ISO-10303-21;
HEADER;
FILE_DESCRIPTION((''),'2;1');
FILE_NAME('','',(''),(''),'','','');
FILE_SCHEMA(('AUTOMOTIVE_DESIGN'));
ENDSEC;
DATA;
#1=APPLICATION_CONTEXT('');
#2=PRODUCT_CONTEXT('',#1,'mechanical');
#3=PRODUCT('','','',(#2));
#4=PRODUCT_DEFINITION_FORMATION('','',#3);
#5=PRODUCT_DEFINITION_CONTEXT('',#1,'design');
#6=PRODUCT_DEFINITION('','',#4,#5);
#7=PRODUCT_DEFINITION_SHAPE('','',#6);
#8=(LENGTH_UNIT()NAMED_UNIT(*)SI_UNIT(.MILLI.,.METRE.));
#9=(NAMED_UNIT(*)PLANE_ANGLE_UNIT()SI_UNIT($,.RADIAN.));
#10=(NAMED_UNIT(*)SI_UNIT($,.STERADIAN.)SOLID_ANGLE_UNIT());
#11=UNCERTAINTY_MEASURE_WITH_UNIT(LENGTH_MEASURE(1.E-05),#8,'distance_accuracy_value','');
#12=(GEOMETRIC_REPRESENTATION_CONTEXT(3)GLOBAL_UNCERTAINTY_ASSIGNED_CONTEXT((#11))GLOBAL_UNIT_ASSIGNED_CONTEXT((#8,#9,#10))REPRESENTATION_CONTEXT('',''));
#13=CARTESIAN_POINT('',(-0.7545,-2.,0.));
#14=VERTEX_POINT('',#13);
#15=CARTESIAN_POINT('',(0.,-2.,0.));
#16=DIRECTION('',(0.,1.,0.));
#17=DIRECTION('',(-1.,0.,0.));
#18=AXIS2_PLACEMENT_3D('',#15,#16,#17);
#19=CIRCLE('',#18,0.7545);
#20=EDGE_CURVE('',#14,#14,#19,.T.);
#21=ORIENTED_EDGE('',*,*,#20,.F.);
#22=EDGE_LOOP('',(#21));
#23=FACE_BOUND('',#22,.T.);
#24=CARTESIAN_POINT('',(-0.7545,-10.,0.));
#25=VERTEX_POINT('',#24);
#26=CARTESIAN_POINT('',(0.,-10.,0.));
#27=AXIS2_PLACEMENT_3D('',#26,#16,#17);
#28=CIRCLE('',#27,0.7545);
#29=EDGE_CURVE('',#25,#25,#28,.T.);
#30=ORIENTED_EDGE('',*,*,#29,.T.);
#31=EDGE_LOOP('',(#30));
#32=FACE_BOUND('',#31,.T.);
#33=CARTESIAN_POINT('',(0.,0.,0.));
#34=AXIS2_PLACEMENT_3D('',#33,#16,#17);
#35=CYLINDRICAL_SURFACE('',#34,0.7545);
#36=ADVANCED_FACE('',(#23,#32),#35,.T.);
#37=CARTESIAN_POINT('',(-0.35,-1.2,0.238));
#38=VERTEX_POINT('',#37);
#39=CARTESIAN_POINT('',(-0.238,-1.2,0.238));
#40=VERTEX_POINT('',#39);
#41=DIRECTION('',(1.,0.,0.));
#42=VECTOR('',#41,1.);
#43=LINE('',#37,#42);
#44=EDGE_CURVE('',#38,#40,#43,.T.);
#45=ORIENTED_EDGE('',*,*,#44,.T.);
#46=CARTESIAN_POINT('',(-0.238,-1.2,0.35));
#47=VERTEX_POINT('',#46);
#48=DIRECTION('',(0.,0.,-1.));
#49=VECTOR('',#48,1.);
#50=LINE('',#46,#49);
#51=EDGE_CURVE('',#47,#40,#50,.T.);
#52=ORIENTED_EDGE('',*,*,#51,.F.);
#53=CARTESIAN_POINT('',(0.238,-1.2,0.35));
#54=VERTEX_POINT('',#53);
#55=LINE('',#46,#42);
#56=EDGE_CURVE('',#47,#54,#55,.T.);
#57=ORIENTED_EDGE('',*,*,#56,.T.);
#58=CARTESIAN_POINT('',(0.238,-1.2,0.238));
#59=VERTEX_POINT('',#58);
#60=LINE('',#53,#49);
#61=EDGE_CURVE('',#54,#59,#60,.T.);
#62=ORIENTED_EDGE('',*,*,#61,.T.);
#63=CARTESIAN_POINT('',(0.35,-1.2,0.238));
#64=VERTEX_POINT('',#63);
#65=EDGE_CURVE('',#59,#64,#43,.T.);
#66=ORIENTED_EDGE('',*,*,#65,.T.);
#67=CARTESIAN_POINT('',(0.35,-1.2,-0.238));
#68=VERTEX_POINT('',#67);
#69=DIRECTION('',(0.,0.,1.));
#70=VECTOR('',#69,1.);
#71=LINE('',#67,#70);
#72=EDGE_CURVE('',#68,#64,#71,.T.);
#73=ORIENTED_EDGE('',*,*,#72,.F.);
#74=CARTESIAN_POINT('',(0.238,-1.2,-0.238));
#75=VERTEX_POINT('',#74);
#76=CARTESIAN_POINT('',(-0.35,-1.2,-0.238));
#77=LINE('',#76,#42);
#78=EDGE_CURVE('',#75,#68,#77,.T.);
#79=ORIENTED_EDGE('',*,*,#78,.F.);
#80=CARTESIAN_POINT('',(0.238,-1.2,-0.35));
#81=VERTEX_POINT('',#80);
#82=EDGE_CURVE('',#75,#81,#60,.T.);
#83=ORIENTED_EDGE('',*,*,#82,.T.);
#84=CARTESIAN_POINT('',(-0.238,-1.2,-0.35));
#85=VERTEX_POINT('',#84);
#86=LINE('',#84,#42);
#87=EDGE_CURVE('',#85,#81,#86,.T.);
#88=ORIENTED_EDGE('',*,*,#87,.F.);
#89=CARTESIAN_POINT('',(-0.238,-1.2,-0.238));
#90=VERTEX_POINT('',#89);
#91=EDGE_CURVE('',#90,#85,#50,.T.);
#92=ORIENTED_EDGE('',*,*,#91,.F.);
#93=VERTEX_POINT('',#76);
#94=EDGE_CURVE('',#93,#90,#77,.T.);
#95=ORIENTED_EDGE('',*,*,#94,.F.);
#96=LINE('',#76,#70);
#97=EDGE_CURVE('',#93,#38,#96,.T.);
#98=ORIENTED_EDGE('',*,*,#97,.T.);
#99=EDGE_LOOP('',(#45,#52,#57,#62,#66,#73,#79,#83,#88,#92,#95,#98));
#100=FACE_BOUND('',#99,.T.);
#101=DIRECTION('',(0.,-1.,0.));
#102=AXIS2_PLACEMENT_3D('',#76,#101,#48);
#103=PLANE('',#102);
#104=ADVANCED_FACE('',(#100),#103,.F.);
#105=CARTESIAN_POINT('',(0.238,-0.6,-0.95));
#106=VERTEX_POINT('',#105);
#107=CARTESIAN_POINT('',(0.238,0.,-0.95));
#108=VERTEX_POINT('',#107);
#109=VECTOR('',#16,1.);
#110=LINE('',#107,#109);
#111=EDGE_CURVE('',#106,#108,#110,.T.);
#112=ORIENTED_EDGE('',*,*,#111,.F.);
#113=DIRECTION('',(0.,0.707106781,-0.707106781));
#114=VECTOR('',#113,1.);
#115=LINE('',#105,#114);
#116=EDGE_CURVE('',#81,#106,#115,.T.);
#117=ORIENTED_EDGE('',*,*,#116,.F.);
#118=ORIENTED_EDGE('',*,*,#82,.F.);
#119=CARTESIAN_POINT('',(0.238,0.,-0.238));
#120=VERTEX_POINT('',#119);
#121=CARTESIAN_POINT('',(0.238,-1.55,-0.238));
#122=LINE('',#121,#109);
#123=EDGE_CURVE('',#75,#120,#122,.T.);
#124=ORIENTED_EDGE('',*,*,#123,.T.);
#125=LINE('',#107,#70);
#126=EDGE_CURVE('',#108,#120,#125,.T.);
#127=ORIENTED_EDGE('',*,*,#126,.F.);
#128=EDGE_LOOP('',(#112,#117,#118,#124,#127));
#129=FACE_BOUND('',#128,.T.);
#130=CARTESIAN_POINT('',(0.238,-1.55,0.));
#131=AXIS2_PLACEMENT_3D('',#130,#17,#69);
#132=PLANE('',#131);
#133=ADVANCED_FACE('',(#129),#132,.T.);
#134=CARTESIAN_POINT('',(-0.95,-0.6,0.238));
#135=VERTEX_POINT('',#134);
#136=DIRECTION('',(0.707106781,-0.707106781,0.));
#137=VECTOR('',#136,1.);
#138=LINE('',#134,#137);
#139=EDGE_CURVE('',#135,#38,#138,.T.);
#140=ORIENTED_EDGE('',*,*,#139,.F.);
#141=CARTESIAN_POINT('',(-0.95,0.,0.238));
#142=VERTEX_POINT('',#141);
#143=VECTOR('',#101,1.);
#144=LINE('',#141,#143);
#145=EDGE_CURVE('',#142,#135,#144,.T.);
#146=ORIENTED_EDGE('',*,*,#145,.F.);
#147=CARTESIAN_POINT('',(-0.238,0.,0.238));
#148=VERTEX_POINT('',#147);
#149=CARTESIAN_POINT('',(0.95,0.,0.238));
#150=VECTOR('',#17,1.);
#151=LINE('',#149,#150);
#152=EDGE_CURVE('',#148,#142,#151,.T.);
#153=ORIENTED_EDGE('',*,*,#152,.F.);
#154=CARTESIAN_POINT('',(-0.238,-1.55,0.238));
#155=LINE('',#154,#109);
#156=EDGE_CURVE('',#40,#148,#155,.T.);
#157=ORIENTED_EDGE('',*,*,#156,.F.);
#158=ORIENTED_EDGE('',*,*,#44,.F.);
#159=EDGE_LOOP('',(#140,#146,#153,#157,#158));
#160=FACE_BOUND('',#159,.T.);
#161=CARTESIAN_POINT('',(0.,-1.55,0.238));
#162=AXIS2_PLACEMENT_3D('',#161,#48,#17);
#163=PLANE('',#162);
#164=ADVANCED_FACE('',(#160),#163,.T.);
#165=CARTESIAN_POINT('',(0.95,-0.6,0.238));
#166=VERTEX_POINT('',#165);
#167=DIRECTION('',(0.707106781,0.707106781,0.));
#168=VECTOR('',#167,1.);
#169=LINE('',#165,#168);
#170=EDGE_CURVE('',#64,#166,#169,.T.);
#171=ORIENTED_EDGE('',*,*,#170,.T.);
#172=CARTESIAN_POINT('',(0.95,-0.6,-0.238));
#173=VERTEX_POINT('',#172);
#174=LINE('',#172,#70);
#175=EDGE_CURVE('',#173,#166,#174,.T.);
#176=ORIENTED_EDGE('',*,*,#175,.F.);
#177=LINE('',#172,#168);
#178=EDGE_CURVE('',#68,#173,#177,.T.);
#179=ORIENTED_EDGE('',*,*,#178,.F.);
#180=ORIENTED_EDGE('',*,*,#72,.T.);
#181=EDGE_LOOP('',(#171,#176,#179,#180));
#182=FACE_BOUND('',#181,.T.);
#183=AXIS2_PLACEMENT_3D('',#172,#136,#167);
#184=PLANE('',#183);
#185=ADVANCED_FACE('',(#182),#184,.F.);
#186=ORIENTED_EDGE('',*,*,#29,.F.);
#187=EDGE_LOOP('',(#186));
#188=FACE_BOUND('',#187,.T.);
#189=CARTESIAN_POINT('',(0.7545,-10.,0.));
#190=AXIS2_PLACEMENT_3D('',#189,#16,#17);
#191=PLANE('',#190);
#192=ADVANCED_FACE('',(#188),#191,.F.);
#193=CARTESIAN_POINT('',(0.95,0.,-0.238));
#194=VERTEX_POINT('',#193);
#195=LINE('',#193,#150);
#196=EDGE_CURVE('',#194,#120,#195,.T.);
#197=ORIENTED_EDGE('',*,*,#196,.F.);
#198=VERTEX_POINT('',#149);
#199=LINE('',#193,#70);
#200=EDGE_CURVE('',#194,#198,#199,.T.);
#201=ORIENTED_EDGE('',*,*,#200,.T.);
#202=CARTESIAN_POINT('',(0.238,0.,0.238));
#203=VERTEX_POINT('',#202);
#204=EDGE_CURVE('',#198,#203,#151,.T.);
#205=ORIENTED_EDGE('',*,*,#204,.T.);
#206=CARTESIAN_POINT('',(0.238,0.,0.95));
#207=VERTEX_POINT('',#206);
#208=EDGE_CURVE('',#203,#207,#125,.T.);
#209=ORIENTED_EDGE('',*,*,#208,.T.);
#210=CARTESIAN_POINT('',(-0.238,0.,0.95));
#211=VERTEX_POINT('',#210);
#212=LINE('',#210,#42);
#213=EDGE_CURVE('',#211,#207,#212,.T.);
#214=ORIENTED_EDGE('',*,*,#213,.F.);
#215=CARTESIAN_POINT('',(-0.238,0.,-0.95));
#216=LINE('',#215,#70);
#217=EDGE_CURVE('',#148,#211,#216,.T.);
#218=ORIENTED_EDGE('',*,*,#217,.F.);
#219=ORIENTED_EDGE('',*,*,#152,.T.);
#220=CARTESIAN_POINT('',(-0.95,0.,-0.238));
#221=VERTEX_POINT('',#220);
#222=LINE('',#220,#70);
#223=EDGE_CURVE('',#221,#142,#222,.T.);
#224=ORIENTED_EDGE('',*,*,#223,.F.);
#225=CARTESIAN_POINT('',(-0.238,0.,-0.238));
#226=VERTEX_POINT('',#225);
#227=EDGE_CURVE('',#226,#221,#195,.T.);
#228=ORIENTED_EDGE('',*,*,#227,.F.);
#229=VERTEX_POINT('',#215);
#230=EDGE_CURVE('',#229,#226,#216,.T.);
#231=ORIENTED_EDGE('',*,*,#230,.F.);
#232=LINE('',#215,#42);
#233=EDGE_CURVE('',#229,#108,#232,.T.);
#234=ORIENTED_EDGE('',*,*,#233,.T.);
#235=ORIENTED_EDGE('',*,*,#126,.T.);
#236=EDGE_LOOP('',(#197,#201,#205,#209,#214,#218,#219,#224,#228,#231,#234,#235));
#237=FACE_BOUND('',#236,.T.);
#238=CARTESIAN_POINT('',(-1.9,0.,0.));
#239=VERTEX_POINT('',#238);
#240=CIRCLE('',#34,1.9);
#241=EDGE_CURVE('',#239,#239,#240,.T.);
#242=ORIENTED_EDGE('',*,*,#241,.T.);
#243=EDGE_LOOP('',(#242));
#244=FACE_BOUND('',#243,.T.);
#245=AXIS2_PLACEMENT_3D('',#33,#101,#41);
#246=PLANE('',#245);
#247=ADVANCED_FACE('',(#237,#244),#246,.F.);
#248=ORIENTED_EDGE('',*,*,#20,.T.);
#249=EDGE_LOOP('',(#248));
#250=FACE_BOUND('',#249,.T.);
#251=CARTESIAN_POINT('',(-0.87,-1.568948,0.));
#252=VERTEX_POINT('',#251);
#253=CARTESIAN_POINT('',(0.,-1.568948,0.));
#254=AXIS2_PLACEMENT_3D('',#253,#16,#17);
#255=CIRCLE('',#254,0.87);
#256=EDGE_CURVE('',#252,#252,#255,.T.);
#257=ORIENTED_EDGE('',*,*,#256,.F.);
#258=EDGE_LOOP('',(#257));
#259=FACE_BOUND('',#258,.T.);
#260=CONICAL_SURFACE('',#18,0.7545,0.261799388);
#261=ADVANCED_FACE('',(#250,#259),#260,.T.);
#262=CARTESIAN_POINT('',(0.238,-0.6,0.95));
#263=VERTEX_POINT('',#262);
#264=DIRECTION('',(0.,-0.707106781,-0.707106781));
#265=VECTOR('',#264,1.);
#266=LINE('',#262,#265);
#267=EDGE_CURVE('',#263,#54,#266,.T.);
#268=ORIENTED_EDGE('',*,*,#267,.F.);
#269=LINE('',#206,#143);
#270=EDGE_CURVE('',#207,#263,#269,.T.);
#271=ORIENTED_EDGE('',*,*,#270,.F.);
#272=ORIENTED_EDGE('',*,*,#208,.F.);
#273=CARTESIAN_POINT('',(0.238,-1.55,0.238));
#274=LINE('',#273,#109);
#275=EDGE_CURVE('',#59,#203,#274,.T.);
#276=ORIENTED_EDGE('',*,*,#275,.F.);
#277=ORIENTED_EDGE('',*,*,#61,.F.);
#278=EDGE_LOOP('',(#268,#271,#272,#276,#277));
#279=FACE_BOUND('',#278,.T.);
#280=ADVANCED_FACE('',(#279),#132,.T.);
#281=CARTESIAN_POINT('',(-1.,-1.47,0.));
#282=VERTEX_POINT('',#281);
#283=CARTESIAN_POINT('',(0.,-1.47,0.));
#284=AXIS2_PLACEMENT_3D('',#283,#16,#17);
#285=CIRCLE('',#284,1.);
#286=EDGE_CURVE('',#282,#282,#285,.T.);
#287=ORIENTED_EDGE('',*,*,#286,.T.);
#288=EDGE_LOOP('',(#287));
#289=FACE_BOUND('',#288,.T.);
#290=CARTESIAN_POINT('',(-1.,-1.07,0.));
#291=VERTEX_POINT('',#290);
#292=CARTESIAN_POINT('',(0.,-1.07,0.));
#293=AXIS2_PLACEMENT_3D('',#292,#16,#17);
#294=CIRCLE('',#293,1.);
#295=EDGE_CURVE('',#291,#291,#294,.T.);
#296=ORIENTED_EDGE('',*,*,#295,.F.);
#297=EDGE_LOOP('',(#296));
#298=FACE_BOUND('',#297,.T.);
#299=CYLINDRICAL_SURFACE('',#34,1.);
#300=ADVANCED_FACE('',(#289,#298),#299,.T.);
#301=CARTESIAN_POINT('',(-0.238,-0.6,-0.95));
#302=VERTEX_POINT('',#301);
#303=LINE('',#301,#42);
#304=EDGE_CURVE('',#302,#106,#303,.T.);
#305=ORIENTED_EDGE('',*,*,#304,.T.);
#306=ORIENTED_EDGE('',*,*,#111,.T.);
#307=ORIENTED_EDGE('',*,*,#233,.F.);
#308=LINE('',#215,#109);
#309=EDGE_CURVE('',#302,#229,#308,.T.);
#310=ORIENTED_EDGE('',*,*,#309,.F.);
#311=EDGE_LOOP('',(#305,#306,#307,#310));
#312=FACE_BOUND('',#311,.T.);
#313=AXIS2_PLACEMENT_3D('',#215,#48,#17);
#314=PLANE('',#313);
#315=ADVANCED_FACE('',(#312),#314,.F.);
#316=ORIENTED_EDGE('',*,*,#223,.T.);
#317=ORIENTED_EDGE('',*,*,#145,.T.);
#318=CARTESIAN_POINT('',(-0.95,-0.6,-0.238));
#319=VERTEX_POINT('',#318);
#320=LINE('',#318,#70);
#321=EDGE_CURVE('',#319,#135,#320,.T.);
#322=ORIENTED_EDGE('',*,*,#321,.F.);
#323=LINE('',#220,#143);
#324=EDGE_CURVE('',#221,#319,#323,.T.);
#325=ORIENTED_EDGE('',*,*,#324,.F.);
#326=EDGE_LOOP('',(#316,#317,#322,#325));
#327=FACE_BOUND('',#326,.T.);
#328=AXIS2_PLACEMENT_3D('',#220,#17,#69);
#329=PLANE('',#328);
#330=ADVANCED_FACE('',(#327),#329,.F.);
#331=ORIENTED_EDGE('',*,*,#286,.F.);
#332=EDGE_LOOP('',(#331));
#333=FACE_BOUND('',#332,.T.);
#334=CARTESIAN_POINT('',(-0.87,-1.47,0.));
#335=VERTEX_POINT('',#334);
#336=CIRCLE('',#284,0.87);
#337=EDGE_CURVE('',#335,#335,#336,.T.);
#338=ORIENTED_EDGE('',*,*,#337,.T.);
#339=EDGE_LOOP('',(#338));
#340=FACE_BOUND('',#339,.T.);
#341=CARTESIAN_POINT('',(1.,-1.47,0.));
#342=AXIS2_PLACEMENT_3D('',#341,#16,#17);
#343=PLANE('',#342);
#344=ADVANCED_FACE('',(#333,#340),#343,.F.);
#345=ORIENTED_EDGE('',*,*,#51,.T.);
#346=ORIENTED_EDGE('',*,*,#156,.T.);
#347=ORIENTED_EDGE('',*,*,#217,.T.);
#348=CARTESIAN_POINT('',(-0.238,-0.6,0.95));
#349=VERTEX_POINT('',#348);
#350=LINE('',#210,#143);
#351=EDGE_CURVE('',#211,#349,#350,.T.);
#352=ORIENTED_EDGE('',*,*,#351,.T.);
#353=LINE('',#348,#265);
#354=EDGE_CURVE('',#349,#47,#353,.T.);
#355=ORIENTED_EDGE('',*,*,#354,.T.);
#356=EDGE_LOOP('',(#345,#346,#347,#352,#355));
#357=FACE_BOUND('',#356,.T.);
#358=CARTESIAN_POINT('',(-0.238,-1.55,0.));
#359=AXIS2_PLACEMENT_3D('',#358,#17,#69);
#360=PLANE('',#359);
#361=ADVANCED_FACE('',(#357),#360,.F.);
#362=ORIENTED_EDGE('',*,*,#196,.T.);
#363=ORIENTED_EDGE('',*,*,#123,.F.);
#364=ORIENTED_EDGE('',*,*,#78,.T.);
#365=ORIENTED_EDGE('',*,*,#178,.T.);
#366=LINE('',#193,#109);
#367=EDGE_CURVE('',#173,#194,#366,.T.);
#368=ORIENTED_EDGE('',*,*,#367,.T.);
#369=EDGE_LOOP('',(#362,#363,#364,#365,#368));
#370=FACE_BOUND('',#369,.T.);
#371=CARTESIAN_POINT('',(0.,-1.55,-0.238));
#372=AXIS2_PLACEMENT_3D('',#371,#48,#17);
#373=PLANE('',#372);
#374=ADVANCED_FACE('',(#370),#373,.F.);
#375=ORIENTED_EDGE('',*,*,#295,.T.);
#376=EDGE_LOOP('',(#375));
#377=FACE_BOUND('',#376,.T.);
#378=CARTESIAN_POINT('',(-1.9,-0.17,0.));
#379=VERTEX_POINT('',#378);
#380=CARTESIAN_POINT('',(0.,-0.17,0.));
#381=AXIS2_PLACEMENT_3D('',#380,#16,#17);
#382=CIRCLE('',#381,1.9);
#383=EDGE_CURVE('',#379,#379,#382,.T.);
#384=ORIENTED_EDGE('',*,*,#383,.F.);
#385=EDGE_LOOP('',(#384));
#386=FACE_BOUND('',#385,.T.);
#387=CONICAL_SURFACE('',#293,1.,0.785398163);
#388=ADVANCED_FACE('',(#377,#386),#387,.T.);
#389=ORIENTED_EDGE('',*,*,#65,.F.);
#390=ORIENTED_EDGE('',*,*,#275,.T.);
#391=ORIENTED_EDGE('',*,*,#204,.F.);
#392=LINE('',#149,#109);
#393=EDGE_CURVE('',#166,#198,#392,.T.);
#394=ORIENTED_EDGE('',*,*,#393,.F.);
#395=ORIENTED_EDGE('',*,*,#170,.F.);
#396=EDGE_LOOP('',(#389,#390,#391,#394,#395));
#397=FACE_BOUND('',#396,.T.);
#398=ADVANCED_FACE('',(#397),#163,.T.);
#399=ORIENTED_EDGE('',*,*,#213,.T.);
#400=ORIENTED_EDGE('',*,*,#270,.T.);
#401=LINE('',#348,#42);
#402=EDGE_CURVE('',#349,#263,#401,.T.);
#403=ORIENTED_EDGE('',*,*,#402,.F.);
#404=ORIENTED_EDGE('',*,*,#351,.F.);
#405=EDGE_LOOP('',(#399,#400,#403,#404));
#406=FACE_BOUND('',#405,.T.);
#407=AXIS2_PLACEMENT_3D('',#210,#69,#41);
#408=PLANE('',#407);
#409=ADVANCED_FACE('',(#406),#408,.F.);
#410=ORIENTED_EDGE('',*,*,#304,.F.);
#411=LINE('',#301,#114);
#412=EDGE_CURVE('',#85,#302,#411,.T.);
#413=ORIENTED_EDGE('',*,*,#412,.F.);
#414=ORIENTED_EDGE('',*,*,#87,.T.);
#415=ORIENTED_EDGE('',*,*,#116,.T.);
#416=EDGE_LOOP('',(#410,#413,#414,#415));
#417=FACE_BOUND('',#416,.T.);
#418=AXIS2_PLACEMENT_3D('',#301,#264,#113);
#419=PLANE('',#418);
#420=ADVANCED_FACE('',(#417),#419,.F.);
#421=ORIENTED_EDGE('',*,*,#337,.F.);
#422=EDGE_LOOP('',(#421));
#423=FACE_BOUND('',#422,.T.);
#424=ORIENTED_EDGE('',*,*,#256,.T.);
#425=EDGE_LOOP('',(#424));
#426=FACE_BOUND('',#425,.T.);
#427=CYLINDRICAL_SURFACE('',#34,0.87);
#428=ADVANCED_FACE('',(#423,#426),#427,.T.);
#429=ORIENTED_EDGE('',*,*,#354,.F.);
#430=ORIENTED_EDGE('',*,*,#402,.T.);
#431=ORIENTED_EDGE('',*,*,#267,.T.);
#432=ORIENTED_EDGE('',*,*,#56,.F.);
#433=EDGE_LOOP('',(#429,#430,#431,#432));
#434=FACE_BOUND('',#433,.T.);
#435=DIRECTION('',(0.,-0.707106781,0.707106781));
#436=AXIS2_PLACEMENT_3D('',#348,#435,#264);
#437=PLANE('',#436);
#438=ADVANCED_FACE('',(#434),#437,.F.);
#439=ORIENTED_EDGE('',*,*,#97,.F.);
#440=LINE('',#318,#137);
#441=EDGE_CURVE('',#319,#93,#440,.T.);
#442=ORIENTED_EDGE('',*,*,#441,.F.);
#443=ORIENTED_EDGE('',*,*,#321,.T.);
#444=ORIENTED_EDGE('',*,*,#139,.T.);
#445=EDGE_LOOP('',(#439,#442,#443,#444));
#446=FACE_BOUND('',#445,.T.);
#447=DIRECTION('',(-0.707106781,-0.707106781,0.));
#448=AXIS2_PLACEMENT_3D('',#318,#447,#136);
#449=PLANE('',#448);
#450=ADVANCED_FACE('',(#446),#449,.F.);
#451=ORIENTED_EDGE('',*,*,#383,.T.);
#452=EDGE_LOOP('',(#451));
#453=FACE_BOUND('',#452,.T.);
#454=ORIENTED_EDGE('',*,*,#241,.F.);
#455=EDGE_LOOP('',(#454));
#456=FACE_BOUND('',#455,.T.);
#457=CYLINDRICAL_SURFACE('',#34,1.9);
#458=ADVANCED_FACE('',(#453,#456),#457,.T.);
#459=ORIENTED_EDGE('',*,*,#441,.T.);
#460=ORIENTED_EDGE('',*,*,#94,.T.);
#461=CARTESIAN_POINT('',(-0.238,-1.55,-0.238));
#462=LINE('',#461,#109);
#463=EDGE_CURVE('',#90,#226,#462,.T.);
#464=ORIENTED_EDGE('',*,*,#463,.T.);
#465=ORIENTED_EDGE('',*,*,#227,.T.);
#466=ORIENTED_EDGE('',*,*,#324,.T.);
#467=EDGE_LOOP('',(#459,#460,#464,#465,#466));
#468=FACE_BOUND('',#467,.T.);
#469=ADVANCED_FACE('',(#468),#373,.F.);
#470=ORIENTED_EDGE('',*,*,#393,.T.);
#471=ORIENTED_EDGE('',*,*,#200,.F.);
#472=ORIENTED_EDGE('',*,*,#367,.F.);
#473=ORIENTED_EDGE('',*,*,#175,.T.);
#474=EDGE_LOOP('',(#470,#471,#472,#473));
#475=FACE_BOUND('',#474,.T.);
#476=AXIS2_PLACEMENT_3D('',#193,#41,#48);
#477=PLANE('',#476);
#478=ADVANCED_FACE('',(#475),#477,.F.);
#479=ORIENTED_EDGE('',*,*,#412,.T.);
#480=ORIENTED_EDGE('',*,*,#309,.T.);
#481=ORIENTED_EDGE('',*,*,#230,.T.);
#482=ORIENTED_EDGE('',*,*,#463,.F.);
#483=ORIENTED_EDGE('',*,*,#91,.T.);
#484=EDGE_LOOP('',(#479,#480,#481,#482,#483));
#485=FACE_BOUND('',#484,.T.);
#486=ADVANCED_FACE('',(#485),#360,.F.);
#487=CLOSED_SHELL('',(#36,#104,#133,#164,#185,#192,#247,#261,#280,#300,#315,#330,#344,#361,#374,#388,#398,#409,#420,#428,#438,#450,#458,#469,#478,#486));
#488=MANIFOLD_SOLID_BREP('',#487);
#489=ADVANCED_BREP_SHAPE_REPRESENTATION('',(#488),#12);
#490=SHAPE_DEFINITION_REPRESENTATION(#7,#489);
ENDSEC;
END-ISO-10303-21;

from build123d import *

# Parameters (mm, degrees)
KREUZSCHLITZ1_H_DEPTH      = 0.238
KREUZSCHLITZ1_H_DEPTH_BACK = 0.238
KREUZSCHLITZ2_H_DEPTH      = 0.238
KREUZSCHLITZ2_H_DEPTH_BACK = 0.238


with BuildPart() as part:
    # Skizze1 → Basis-Rotation (revolve)
    with BuildSketch(Plane.XY, mode=Mode.PRIVATE) as basis_rotation_sk:
        Polygon((0, 0), (1.9, 0), (1.9, -0.17), (1, -1.07), (1, -1.47), (0.87, -1.47), (0.87, -1.568948132), (0.7545, -2), (0.7545, -10), (0, -10), align=None)
    revolve(basis_rotation_sk.sketch.rotate(Axis((0, 0, 0), (0, -1, 0)), 180), axis=Axis((0, 0, 0), (0, -1, 0)))

    # Skizze2 → Kreuzschlitz1 H (cut, two sides: drawn at the far end of the back side and taken through both)
    with BuildSketch(Plane.XY.offset(-KREUZSCHLITZ1_H_DEPTH_BACK)):
        Polygon((-0.35, -1.2), (0.35, -1.2), (0.95, -0.6), (0.95, 0), (-0.95, 0), (-0.95, -0.6), align=None)
    extrude(amount=KREUZSCHLITZ1_H_DEPTH + KREUZSCHLITZ1_H_DEPTH_BACK, mode=Mode.SUBTRACT)

    # Skizze3 → Kreuzschlitz2 H (cut, two sides: drawn at the far end of the back side and taken through both)
    with BuildSketch(Plane(origin=(0, 0, 0), x_dir=(0, 0, -1), z_dir=(1, 0, 0)).offset(-KREUZSCHLITZ2_H_DEPTH_BACK)):
        Polygon((-0.35, -1.2), (0.35, -1.2), (0.95, -0.6), (0.95, 0), (-0.95, 0), (-0.95, -0.6), align=None)
    extrude(amount=KREUZSCHLITZ2_H_DEPTH + KREUZSCHLITZ2_H_DEPTH_BACK, mode=Mode.SUBTRACT)


solid = part.part
